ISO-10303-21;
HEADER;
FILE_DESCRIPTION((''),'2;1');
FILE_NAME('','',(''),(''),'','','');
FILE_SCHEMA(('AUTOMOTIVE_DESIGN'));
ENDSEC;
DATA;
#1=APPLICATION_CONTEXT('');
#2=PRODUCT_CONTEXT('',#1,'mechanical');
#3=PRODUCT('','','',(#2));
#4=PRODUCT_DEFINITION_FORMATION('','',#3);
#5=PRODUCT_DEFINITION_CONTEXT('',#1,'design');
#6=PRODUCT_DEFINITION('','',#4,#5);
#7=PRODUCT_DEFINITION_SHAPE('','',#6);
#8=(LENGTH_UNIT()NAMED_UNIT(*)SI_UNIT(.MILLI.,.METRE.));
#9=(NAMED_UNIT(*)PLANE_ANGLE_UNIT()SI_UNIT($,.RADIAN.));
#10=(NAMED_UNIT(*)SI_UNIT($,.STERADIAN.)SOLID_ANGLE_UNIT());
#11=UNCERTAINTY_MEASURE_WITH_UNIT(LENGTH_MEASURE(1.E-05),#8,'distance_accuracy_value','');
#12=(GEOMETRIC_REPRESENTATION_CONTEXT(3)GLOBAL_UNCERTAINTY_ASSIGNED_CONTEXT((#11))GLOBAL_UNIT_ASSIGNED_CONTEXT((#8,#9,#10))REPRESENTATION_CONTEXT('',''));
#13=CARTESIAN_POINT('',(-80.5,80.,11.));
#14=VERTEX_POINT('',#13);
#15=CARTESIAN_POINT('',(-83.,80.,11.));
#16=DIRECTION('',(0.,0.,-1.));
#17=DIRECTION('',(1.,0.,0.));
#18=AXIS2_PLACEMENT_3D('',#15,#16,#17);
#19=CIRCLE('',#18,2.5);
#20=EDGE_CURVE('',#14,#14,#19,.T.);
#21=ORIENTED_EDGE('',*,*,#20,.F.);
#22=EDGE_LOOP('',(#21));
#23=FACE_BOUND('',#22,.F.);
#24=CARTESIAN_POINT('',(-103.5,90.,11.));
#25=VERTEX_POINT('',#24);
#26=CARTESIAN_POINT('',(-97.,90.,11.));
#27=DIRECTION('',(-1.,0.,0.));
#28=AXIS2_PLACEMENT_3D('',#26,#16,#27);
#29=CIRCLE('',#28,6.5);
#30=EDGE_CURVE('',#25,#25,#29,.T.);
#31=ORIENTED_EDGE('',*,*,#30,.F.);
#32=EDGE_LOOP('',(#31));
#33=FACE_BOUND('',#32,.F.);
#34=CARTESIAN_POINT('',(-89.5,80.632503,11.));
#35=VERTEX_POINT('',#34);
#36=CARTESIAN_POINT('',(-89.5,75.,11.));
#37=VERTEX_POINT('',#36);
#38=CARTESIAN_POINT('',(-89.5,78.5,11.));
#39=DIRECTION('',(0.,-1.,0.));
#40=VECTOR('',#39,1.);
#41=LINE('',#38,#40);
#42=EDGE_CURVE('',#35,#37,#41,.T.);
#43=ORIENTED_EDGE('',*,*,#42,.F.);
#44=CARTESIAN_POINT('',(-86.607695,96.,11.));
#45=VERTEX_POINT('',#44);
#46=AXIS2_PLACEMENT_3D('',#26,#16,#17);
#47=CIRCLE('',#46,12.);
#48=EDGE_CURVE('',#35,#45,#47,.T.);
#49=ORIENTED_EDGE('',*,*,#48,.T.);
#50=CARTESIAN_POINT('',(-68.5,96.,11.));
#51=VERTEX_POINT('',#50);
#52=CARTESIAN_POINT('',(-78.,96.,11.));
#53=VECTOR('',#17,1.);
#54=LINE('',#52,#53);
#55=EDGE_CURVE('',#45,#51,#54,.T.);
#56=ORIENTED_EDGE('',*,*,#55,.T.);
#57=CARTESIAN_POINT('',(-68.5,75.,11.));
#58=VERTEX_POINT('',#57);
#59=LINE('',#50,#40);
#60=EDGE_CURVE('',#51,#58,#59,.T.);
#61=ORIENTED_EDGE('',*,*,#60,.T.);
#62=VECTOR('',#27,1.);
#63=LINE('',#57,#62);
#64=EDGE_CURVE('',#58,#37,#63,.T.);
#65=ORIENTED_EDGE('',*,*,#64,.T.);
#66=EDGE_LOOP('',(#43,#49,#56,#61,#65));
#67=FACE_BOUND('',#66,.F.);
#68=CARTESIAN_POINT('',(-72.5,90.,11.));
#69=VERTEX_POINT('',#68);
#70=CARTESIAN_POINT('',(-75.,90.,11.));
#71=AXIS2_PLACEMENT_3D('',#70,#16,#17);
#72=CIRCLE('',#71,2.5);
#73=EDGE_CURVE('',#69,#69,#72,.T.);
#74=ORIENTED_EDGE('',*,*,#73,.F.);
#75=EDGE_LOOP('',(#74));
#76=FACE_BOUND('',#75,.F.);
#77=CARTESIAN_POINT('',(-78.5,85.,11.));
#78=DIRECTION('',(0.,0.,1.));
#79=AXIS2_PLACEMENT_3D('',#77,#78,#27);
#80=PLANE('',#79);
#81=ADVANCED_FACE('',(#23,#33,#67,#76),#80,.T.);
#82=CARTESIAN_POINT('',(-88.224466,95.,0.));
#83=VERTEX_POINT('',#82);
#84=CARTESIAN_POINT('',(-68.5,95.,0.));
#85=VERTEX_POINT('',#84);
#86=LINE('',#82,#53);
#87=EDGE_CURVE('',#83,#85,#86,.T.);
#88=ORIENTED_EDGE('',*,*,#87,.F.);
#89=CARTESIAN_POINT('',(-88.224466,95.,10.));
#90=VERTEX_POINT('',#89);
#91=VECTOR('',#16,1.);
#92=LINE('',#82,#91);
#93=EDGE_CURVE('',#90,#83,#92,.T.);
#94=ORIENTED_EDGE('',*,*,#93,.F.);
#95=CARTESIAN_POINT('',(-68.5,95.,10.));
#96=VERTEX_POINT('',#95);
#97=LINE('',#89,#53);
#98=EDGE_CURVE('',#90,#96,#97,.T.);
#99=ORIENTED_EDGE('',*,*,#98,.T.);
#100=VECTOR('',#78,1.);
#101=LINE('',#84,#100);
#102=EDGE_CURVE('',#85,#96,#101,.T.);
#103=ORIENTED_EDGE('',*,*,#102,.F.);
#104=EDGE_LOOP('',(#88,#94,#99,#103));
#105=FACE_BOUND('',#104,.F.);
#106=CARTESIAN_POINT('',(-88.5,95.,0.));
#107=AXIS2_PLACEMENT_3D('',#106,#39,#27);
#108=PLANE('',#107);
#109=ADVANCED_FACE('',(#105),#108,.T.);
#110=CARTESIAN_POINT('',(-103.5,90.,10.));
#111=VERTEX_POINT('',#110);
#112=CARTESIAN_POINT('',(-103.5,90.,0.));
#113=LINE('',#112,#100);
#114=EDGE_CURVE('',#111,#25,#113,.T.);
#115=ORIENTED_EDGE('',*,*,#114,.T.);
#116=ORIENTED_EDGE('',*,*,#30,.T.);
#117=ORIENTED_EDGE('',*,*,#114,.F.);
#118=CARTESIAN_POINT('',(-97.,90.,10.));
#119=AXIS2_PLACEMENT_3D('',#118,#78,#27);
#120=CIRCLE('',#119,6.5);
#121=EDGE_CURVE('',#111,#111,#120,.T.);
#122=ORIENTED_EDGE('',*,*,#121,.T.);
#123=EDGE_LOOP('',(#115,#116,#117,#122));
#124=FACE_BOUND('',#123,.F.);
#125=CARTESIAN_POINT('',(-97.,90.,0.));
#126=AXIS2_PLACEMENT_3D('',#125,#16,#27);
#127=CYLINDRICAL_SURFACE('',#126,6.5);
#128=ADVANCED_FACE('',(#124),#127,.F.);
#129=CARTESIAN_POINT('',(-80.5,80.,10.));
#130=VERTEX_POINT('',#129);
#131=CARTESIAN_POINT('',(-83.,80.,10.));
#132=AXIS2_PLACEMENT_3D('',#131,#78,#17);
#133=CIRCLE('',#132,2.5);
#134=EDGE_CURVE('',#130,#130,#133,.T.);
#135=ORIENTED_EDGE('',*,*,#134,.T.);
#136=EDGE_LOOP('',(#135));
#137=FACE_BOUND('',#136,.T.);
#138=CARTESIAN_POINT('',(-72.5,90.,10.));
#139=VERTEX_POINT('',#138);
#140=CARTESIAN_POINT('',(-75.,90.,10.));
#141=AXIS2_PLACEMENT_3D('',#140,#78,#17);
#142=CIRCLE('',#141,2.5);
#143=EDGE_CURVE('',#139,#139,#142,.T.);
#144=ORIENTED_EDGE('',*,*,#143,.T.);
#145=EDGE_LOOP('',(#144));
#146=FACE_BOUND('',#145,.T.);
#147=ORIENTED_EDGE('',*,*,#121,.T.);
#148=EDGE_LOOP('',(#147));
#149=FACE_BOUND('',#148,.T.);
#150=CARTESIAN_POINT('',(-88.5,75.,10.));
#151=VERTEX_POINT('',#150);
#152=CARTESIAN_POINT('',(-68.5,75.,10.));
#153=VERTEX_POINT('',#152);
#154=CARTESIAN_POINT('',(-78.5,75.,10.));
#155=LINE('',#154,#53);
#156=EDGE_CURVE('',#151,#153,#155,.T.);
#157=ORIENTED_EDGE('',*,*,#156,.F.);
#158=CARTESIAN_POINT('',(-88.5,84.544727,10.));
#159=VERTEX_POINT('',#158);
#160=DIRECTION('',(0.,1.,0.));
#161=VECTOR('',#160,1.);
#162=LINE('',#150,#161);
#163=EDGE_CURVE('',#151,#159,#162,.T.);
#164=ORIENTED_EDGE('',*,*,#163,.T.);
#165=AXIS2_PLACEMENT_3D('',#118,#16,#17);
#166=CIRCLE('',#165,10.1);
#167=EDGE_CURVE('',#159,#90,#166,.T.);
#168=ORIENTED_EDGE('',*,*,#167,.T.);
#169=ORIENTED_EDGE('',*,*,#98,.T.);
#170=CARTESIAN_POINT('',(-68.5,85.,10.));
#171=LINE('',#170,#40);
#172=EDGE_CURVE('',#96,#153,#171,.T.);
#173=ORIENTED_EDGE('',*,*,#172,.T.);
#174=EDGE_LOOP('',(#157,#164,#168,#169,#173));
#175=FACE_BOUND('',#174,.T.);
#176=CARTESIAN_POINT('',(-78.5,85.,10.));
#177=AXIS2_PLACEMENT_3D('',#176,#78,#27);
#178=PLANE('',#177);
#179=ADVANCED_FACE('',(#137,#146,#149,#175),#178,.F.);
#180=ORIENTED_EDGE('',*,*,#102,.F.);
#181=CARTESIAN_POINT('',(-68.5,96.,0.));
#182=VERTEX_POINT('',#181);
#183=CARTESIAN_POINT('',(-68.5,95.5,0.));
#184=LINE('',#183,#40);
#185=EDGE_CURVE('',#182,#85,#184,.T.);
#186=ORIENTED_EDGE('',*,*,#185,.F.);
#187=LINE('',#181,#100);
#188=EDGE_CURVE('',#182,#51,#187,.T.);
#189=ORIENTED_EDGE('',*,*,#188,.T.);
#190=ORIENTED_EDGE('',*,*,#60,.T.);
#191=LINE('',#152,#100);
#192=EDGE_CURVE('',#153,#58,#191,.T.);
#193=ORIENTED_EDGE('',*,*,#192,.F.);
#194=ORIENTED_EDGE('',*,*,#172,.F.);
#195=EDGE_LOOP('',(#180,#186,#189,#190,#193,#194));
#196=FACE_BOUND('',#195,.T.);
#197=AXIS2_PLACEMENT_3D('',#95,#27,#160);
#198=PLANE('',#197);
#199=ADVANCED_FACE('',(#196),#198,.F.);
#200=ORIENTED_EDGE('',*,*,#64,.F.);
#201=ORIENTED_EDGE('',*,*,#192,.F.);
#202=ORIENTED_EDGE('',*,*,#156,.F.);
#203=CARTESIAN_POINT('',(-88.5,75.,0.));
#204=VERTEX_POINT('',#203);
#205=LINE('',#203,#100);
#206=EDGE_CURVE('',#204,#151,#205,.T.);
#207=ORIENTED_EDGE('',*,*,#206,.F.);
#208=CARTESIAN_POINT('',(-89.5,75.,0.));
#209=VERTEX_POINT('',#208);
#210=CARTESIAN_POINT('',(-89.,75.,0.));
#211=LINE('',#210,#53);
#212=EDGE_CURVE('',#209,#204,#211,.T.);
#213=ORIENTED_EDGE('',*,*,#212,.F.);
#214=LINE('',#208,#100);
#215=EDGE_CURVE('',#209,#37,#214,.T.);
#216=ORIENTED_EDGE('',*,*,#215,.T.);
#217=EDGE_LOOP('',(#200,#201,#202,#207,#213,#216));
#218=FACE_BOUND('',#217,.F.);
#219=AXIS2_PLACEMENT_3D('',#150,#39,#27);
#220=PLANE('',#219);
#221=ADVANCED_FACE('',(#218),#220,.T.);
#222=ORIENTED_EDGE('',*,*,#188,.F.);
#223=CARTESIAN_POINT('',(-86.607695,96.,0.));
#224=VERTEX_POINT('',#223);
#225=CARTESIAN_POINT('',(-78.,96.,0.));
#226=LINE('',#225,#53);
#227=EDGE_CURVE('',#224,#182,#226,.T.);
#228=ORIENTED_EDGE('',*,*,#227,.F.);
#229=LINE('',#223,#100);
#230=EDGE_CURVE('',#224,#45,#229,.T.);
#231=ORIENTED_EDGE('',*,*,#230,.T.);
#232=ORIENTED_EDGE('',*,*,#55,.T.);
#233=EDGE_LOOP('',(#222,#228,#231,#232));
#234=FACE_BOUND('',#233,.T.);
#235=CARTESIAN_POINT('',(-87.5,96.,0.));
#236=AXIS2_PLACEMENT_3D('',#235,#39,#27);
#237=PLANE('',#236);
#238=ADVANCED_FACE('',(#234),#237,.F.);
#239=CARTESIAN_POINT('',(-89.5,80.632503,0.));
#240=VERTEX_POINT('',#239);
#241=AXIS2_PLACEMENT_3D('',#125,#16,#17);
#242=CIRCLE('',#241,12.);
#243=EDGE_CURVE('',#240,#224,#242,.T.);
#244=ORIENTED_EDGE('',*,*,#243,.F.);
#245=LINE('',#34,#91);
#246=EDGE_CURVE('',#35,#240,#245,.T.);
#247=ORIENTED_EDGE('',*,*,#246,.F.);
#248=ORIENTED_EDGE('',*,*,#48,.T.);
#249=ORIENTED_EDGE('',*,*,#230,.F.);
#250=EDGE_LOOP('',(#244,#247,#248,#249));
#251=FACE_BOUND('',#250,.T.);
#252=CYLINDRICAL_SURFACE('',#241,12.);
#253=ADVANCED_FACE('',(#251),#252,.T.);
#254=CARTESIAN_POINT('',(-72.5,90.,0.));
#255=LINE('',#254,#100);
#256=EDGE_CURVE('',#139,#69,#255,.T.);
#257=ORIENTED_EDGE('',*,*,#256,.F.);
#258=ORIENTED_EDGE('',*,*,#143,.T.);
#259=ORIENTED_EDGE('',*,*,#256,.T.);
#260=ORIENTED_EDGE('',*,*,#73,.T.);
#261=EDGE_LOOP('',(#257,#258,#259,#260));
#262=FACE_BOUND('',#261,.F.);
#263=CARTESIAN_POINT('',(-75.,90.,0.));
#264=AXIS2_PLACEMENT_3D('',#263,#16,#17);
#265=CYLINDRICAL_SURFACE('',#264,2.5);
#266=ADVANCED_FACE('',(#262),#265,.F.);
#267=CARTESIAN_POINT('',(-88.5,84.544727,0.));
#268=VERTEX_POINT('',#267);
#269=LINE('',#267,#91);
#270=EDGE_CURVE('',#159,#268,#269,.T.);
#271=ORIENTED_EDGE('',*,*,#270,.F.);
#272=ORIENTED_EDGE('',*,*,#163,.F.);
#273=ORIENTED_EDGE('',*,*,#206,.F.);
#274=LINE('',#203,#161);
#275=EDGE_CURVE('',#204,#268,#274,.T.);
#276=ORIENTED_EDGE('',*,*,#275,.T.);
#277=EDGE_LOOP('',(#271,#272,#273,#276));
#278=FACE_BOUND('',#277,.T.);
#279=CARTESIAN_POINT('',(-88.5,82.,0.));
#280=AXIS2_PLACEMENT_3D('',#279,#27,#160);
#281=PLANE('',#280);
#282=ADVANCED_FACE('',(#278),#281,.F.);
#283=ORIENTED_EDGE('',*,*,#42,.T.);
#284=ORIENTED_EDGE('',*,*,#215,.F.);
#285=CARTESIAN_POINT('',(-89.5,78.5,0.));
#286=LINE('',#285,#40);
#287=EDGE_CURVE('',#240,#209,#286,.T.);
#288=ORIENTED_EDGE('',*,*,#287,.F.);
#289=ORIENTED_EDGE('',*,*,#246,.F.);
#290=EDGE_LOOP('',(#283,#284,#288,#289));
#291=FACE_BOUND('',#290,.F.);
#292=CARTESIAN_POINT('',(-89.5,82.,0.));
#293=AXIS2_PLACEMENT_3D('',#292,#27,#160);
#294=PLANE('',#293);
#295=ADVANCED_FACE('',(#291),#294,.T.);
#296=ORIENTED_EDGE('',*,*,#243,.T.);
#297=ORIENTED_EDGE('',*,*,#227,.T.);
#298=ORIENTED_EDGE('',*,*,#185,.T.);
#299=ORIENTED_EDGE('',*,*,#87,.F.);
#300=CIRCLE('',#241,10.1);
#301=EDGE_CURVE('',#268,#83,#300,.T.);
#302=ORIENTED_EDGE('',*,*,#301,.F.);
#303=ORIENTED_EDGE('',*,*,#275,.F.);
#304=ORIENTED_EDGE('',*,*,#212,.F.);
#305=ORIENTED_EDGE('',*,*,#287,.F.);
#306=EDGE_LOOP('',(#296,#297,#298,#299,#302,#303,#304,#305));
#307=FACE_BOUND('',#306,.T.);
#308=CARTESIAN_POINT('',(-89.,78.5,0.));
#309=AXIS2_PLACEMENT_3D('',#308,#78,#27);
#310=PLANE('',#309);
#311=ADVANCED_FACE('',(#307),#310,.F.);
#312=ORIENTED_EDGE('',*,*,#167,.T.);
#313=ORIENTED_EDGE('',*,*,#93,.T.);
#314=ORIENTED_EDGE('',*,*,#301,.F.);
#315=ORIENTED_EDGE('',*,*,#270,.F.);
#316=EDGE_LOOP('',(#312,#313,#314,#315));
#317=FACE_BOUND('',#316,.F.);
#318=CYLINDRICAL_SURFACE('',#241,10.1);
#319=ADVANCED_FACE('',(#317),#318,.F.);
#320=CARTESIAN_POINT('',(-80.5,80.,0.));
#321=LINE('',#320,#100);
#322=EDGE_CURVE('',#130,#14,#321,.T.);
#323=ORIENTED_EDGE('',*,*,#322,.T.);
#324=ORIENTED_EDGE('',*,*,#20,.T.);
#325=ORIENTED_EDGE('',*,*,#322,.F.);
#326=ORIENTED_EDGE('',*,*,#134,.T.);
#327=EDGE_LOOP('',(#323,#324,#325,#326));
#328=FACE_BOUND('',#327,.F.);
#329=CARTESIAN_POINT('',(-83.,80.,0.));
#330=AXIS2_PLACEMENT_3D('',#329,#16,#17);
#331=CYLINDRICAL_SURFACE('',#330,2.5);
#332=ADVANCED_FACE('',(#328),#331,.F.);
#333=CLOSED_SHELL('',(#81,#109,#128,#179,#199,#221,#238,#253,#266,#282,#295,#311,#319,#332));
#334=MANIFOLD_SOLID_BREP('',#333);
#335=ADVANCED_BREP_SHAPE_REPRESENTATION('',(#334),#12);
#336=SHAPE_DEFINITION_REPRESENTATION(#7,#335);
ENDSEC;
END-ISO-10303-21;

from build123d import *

# Parameters (mm, degrees)
CYLINDER041_R          = 6.5
CYLINDER041_DEPTH      = 11
CYLINDER030_R          = 2.5
CYLINDER030_DEPTH      = 11
CYLINDER031_R          = 2.5
CYLINDER031_DEPTH      = 11
BOX008_W               = 1
BOX008_H               = 7
BOX008_DEPTH           = 11
BOX010_W               = 20
BOX010_H               = 20
BOX010_DEPTH           = 1
CYLINDER035_R          = 12
CYLINDER035_DEPTH      = 1
PAD015_DEPTH           = 10
BOX011_W               = 177
BOX011_H               = 100
BOX011_DEPTH           = 10
CYLINDER029_R          = 7.5
CYLINDER029_DEPTH      = 10
CYLINDER038_R          = 10
CYLINDER038_DEPTH      = 10
CYLINDER039_R          = 7.5
CYLINDER039_DEPTH      = 10
CYLINDER032_R          = 10
CYLINDER032_DEPTH      = 10
PAD012_DEPTH           = 6.5
PAD013_DEPTH           = 4
PAD014_DEPTH           = 10
CYLINDER034_R          = 7.5
CYLINDER034_DEPTH      = 10
CYLINDER037_R          = 10
CYLINDER037_DEPTH      = 10
CYLINDER036_R          = 7.5
CYLINDER036_DEPTH      = 10
CYLINDER033_R          = 10
CYLINDER033_DEPTH      = 10
TUBE001_R              = 12
TUBE001_R_2            = 10.1
TUBE001_DEPTH          = 10
BOX009_W               = 19
BOX009_H               = 1
BOX009_DEPTH           = 11
CUT032_PLACEMENT_ANGLE = 180


with BuildPart() as cilindro041:
    # Cylinder041 → Cylinder041 (new body)
    with BuildSketch(Plane(origin=(97, 90, 0), x_dir=(1, 0, 0), z_dir=(0, 0, 1))):
        Circle(CYLINDER041_R)
    extrude(amount=CYLINDER041_DEPTH)


with BuildPart() as cilindro030:
    # Cylinder030 → Cylinder030 (new body)
    with BuildSketch(Plane(origin=(-83, 10, 0), x_dir=(1, 0, 0), z_dir=(0, 0, 1))):
        Circle(CYLINDER030_R)
    extrude(amount=CYLINDER030_DEPTH)


with BuildPart() as cilindro031:
    # Cylinder031 → Cylinder031 (new body)
    with BuildSketch(Plane(origin=(-75, 0, 0), x_dir=(1, 0, 0), z_dir=(0, 0, 1))):
        Circle(CYLINDER031_R)
    extrude(amount=CYLINDER031_DEPTH)


with BuildPart() as cubo004:
    # Box008 → Box008 (new body)
    with BuildSketch(Plane(origin=(-89.5, 8, 0), x_dir=(1, 0, 0), z_dir=(0, 0, 1))):
        with Locations((0.5, 3.5)):
            Rectangle(BOX008_W, BOX008_H)
    extrude(amount=BOX008_DEPTH)


with BuildPart() as cubo006:
    # Box010 → Box010 (new body)
    with BuildSketch(Plane(origin=(-88.5, -5, 10), x_dir=(1, 0, 0), z_dir=(0, 0, 1))):
        with Locations((10, 10)):
            Rectangle(BOX010_W, BOX010_H)
    extrude(amount=BOX010_DEPTH)


with BuildPart() as cilindro035:
    # Cylinder035 → Cylinder035 (new body)
    with BuildSketch(Plane(origin=(-97, 0, 10), x_dir=(1, 0, 0), z_dir=(0, 0, 1))):
        Circle(CYLINDER035_R)
    extrude(amount=CYLINDER035_DEPTH)


with BuildPart() as body011:
    # Sketch013 → Pad015 (new body)
    with BuildSketch(Plane.XY):
        Polygon((8.5, 4.907477), (0, 9.814955), (-8.5, 4.907477), (-8.5, -4.907477), (0, -9.814955), (8.5, -4.907477), align=None)
    extrude(amount=PAD015_DEPTH)


with BuildPart() as body011_1:
    # Body011 placement: moved
    add(body011.part.moved(Location((0, 45.1, 0))))


with BuildPart() as cut026:
    # Box011 → Box011 (new body)
    with BuildSketch(Plane(origin=(-88.5, -5, 0), x_dir=(1, 0, 0), z_dir=(0, 0, 1))):
        with Locations((88.5, 50)):
            Rectangle(BOX011_W, BOX011_H)
    extrude(amount=BOX011_DEPTH)

    # Cut026: cut Body011
    add(body011_1.part, mode=Mode.SUBTRACT)


with BuildPart() as cilindro029:
    # Cylinder029 → Cylinder029 (new body)
    with BuildSketch(Plane(origin=(0, 20, 0), x_dir=(1, 0, 0), z_dir=(0, 0, 1))):
        Circle(CYLINDER029_R)
    extrude(amount=CYLINDER029_DEPTH)


with BuildPart() as unionbarra011:
    # Cylinder038 → Cylinder038 (new body)
    with BuildSketch(Plane(origin=(0, 20, 0), x_dir=(1, 0, 0), z_dir=(0, 0, 1))):
        Circle(CYLINDER038_R)
    extrude(amount=CYLINDER038_DEPTH)

    # Cut028: cut Cilindro029
    add(cilindro029.part, mode=Mode.SUBTRACT)


with BuildPart() as unionbarra011_1:
    # Cut028 placement: moved
    add(unionbarra011.part.moved(Location((-97, -20, 0))))


with BuildPart() as cilindro039:
    # Cylinder039 → Cylinder039 (new body)
    with BuildSketch(Plane(origin=(0, 20, 0), x_dir=(1, 0, 0), z_dir=(0, 0, 1))):
        Circle(CYLINDER039_R)
    extrude(amount=CYLINDER039_DEPTH)


with BuildPart() as fusion014:
    # Cylinder032 → Cylinder032 (new body)
    with BuildSketch(Plane(origin=(0, 20, 0), x_dir=(1, 0, 0), z_dir=(0, 0, 1))):
        Circle(CYLINDER032_R)
    extrude(amount=CYLINDER032_DEPTH)

    # Cut027: cut Cilindro039
    add(cilindro039.part, mode=Mode.SUBTRACT)


with BuildPart() as fusion014_1:
    # Cut027 placement: moved
    add(fusion014.part.moved(Location((97, -20, 0))))

    # Fusion014: union unionbarra011
    add(unionbarra011_1.part)


with BuildPart() as cuerpo006:
    # Sketch014 → Pad012 (new body)
    with BuildSketch(Plane.XY):
        Polygon((0, 7.505553), (-6.5, 3.752777), (-6.5, -3.752777), (0, -7.505553), (6.5, -3.752777), (6.5, 3.752777), align=None)
    extrude(amount=PAD012_DEPTH)

    # Sketch015 (on Face8 of Pad012) → Pad013 (join)
    with BuildSketch(Plane.XY.offset(6.5)):
        Polygon((0, 5.773503), (-5, 2.886751), (-5, -2.886751), (0, -5.773503), (5, -2.886751), (5, 2.886751), align=None)
    extrude(amount=PAD013_DEPTH)


with BuildPart() as cut029:
    # Sketch012 → Pad014 (new body)
    with BuildSketch(Plane.XY):
        Polygon((0, 9.814955), (-8.5, 4.907477), (-8.5, -4.907477), (0, -9.814955), (8.5, -4.907477), (8.5, 4.907477), align=None)
    extrude(amount=PAD014_DEPTH)

    # Cut029: cut Cuerpo006
    add(cuerpo006.part, mode=Mode.SUBTRACT)


with BuildPart() as cut029_1:
    # Cut029 placement: moved
    add(cut029.part.moved(Location((0, 45.1, 0))))


with BuildPart() as cilindro034:
    # Cylinder034 → Cylinder034 (new body)
    with BuildSketch(Plane(origin=(0, 20, 0), x_dir=(1, 0, 0), z_dir=(0, 0, 1))):
        Circle(CYLINDER034_R)
    extrude(amount=CYLINDER034_DEPTH)


with BuildPart() as unionbarra012:
    # Cylinder037 → Cylinder037 (new body)
    with BuildSketch(Plane(origin=(0, 20, 0), x_dir=(1, 0, 0), z_dir=(0, 0, 1))):
        Circle(CYLINDER037_R)
    extrude(amount=CYLINDER037_DEPTH)

    # Cut030: cut Cilindro034
    add(cilindro034.part, mode=Mode.SUBTRACT)


with BuildPart() as unionbarra012_1:
    # Cut030 placement: moved
    add(unionbarra012.part.moved(Location((-97, -20, 0))))


with BuildPart() as cilindro036:
    # Cylinder036 → Cylinder036 (new body)
    with BuildSketch(Plane(origin=(0, 20, 0), x_dir=(1, 0, 0), z_dir=(0, 0, 1))):
        Circle(CYLINDER036_R)
    extrude(amount=CYLINDER036_DEPTH)


with BuildPart() as fusion011:
    # Cylinder033 → Cylinder033 (new body)
    with BuildSketch(Plane(origin=(0, 20, 0), x_dir=(1, 0, 0), z_dir=(0, 0, 1))):
        Circle(CYLINDER033_R)
    extrude(amount=CYLINDER033_DEPTH)

    # Cut033: cut Cilindro036
    add(cilindro036.part, mode=Mode.SUBTRACT)


with BuildPart() as fusion011_1:
    # Cut033 placement: moved
    add(fusion011.part.moved(Location((97, -20, 0))))

    # Fusion013: union unionbarra012
    add(unionbarra012_1.part)


with BuildPart() as fusion011_2:
    # Fusion013 placement: moved
    add(fusion011_1.part.moved(Location((0, 90, 0))))

    # Fusion011: union Cut026, Fusion014, Cut029
    add(cut026.part)
    add(fusion014_1.part)
    add(cut029_1.part)


with BuildPart() as cut031:
    # Tube001 → Tube001 (new body)
    with BuildSketch(Plane(origin=(-97, 0, 0), x_dir=(1, 0, 0), z_dir=(0, 0, 1))):
        Circle(TUBE001_R)
        Circle(TUBE001_R_2, mode=Mode.SUBTRACT)
    extrude(amount=TUBE001_DEPTH)

    # Cut031: cut Fusion011
    add(fusion011_2.part, mode=Mode.SUBTRACT)


with BuildPart() as eng_arand_impar:
    # Box009 → Box009 (new body)
    with BuildSketch(Plane(origin=(-87.5, -6, 0), x_dir=(1, 0, 0), z_dir=(0, 0, 1))):
        with Locations((9.5, 0.5)):
            Rectangle(BOX009_W, BOX009_H)
    extrude(amount=BOX009_DEPTH)

    # Fusion012: union Cubo004, Cubo006, Cilindro035, Cut031
    add(cubo004.part)
    add(cubo006.part)
    add(cilindro035.part)
    add(cut031.part)

    # Cut025: cut Cilindro031
    add(cilindro031.part, mode=Mode.SUBTRACT)

    # Cut032: cut Cilindro030
    add(cilindro030.part, mode=Mode.SUBTRACT)


with BuildPart() as eng_arand_impar_1:
    # Cut032 placement: moved
    add(eng_arand_impar.part.moved(Location((0, 90, 0))).rotate(Axis((0, 90, 0), (0, 0, 1)), CUT032_PLACEMENT_ANGLE))

    # Cut035: cut Cilindro041
    add(cilindro041.part, mode=Mode.SUBTRACT)


with BuildPart() as eng_arandela_par:
    # Part__Mirroring001: instance of eng_arand_impar
    add(eng_arand_impar_1.part.mirror(Plane(origin=(0, 0, 0), x_dir=(0, -1, 0), z_dir=(1, 0, 0))))


solid = eng_arandela_par.part
